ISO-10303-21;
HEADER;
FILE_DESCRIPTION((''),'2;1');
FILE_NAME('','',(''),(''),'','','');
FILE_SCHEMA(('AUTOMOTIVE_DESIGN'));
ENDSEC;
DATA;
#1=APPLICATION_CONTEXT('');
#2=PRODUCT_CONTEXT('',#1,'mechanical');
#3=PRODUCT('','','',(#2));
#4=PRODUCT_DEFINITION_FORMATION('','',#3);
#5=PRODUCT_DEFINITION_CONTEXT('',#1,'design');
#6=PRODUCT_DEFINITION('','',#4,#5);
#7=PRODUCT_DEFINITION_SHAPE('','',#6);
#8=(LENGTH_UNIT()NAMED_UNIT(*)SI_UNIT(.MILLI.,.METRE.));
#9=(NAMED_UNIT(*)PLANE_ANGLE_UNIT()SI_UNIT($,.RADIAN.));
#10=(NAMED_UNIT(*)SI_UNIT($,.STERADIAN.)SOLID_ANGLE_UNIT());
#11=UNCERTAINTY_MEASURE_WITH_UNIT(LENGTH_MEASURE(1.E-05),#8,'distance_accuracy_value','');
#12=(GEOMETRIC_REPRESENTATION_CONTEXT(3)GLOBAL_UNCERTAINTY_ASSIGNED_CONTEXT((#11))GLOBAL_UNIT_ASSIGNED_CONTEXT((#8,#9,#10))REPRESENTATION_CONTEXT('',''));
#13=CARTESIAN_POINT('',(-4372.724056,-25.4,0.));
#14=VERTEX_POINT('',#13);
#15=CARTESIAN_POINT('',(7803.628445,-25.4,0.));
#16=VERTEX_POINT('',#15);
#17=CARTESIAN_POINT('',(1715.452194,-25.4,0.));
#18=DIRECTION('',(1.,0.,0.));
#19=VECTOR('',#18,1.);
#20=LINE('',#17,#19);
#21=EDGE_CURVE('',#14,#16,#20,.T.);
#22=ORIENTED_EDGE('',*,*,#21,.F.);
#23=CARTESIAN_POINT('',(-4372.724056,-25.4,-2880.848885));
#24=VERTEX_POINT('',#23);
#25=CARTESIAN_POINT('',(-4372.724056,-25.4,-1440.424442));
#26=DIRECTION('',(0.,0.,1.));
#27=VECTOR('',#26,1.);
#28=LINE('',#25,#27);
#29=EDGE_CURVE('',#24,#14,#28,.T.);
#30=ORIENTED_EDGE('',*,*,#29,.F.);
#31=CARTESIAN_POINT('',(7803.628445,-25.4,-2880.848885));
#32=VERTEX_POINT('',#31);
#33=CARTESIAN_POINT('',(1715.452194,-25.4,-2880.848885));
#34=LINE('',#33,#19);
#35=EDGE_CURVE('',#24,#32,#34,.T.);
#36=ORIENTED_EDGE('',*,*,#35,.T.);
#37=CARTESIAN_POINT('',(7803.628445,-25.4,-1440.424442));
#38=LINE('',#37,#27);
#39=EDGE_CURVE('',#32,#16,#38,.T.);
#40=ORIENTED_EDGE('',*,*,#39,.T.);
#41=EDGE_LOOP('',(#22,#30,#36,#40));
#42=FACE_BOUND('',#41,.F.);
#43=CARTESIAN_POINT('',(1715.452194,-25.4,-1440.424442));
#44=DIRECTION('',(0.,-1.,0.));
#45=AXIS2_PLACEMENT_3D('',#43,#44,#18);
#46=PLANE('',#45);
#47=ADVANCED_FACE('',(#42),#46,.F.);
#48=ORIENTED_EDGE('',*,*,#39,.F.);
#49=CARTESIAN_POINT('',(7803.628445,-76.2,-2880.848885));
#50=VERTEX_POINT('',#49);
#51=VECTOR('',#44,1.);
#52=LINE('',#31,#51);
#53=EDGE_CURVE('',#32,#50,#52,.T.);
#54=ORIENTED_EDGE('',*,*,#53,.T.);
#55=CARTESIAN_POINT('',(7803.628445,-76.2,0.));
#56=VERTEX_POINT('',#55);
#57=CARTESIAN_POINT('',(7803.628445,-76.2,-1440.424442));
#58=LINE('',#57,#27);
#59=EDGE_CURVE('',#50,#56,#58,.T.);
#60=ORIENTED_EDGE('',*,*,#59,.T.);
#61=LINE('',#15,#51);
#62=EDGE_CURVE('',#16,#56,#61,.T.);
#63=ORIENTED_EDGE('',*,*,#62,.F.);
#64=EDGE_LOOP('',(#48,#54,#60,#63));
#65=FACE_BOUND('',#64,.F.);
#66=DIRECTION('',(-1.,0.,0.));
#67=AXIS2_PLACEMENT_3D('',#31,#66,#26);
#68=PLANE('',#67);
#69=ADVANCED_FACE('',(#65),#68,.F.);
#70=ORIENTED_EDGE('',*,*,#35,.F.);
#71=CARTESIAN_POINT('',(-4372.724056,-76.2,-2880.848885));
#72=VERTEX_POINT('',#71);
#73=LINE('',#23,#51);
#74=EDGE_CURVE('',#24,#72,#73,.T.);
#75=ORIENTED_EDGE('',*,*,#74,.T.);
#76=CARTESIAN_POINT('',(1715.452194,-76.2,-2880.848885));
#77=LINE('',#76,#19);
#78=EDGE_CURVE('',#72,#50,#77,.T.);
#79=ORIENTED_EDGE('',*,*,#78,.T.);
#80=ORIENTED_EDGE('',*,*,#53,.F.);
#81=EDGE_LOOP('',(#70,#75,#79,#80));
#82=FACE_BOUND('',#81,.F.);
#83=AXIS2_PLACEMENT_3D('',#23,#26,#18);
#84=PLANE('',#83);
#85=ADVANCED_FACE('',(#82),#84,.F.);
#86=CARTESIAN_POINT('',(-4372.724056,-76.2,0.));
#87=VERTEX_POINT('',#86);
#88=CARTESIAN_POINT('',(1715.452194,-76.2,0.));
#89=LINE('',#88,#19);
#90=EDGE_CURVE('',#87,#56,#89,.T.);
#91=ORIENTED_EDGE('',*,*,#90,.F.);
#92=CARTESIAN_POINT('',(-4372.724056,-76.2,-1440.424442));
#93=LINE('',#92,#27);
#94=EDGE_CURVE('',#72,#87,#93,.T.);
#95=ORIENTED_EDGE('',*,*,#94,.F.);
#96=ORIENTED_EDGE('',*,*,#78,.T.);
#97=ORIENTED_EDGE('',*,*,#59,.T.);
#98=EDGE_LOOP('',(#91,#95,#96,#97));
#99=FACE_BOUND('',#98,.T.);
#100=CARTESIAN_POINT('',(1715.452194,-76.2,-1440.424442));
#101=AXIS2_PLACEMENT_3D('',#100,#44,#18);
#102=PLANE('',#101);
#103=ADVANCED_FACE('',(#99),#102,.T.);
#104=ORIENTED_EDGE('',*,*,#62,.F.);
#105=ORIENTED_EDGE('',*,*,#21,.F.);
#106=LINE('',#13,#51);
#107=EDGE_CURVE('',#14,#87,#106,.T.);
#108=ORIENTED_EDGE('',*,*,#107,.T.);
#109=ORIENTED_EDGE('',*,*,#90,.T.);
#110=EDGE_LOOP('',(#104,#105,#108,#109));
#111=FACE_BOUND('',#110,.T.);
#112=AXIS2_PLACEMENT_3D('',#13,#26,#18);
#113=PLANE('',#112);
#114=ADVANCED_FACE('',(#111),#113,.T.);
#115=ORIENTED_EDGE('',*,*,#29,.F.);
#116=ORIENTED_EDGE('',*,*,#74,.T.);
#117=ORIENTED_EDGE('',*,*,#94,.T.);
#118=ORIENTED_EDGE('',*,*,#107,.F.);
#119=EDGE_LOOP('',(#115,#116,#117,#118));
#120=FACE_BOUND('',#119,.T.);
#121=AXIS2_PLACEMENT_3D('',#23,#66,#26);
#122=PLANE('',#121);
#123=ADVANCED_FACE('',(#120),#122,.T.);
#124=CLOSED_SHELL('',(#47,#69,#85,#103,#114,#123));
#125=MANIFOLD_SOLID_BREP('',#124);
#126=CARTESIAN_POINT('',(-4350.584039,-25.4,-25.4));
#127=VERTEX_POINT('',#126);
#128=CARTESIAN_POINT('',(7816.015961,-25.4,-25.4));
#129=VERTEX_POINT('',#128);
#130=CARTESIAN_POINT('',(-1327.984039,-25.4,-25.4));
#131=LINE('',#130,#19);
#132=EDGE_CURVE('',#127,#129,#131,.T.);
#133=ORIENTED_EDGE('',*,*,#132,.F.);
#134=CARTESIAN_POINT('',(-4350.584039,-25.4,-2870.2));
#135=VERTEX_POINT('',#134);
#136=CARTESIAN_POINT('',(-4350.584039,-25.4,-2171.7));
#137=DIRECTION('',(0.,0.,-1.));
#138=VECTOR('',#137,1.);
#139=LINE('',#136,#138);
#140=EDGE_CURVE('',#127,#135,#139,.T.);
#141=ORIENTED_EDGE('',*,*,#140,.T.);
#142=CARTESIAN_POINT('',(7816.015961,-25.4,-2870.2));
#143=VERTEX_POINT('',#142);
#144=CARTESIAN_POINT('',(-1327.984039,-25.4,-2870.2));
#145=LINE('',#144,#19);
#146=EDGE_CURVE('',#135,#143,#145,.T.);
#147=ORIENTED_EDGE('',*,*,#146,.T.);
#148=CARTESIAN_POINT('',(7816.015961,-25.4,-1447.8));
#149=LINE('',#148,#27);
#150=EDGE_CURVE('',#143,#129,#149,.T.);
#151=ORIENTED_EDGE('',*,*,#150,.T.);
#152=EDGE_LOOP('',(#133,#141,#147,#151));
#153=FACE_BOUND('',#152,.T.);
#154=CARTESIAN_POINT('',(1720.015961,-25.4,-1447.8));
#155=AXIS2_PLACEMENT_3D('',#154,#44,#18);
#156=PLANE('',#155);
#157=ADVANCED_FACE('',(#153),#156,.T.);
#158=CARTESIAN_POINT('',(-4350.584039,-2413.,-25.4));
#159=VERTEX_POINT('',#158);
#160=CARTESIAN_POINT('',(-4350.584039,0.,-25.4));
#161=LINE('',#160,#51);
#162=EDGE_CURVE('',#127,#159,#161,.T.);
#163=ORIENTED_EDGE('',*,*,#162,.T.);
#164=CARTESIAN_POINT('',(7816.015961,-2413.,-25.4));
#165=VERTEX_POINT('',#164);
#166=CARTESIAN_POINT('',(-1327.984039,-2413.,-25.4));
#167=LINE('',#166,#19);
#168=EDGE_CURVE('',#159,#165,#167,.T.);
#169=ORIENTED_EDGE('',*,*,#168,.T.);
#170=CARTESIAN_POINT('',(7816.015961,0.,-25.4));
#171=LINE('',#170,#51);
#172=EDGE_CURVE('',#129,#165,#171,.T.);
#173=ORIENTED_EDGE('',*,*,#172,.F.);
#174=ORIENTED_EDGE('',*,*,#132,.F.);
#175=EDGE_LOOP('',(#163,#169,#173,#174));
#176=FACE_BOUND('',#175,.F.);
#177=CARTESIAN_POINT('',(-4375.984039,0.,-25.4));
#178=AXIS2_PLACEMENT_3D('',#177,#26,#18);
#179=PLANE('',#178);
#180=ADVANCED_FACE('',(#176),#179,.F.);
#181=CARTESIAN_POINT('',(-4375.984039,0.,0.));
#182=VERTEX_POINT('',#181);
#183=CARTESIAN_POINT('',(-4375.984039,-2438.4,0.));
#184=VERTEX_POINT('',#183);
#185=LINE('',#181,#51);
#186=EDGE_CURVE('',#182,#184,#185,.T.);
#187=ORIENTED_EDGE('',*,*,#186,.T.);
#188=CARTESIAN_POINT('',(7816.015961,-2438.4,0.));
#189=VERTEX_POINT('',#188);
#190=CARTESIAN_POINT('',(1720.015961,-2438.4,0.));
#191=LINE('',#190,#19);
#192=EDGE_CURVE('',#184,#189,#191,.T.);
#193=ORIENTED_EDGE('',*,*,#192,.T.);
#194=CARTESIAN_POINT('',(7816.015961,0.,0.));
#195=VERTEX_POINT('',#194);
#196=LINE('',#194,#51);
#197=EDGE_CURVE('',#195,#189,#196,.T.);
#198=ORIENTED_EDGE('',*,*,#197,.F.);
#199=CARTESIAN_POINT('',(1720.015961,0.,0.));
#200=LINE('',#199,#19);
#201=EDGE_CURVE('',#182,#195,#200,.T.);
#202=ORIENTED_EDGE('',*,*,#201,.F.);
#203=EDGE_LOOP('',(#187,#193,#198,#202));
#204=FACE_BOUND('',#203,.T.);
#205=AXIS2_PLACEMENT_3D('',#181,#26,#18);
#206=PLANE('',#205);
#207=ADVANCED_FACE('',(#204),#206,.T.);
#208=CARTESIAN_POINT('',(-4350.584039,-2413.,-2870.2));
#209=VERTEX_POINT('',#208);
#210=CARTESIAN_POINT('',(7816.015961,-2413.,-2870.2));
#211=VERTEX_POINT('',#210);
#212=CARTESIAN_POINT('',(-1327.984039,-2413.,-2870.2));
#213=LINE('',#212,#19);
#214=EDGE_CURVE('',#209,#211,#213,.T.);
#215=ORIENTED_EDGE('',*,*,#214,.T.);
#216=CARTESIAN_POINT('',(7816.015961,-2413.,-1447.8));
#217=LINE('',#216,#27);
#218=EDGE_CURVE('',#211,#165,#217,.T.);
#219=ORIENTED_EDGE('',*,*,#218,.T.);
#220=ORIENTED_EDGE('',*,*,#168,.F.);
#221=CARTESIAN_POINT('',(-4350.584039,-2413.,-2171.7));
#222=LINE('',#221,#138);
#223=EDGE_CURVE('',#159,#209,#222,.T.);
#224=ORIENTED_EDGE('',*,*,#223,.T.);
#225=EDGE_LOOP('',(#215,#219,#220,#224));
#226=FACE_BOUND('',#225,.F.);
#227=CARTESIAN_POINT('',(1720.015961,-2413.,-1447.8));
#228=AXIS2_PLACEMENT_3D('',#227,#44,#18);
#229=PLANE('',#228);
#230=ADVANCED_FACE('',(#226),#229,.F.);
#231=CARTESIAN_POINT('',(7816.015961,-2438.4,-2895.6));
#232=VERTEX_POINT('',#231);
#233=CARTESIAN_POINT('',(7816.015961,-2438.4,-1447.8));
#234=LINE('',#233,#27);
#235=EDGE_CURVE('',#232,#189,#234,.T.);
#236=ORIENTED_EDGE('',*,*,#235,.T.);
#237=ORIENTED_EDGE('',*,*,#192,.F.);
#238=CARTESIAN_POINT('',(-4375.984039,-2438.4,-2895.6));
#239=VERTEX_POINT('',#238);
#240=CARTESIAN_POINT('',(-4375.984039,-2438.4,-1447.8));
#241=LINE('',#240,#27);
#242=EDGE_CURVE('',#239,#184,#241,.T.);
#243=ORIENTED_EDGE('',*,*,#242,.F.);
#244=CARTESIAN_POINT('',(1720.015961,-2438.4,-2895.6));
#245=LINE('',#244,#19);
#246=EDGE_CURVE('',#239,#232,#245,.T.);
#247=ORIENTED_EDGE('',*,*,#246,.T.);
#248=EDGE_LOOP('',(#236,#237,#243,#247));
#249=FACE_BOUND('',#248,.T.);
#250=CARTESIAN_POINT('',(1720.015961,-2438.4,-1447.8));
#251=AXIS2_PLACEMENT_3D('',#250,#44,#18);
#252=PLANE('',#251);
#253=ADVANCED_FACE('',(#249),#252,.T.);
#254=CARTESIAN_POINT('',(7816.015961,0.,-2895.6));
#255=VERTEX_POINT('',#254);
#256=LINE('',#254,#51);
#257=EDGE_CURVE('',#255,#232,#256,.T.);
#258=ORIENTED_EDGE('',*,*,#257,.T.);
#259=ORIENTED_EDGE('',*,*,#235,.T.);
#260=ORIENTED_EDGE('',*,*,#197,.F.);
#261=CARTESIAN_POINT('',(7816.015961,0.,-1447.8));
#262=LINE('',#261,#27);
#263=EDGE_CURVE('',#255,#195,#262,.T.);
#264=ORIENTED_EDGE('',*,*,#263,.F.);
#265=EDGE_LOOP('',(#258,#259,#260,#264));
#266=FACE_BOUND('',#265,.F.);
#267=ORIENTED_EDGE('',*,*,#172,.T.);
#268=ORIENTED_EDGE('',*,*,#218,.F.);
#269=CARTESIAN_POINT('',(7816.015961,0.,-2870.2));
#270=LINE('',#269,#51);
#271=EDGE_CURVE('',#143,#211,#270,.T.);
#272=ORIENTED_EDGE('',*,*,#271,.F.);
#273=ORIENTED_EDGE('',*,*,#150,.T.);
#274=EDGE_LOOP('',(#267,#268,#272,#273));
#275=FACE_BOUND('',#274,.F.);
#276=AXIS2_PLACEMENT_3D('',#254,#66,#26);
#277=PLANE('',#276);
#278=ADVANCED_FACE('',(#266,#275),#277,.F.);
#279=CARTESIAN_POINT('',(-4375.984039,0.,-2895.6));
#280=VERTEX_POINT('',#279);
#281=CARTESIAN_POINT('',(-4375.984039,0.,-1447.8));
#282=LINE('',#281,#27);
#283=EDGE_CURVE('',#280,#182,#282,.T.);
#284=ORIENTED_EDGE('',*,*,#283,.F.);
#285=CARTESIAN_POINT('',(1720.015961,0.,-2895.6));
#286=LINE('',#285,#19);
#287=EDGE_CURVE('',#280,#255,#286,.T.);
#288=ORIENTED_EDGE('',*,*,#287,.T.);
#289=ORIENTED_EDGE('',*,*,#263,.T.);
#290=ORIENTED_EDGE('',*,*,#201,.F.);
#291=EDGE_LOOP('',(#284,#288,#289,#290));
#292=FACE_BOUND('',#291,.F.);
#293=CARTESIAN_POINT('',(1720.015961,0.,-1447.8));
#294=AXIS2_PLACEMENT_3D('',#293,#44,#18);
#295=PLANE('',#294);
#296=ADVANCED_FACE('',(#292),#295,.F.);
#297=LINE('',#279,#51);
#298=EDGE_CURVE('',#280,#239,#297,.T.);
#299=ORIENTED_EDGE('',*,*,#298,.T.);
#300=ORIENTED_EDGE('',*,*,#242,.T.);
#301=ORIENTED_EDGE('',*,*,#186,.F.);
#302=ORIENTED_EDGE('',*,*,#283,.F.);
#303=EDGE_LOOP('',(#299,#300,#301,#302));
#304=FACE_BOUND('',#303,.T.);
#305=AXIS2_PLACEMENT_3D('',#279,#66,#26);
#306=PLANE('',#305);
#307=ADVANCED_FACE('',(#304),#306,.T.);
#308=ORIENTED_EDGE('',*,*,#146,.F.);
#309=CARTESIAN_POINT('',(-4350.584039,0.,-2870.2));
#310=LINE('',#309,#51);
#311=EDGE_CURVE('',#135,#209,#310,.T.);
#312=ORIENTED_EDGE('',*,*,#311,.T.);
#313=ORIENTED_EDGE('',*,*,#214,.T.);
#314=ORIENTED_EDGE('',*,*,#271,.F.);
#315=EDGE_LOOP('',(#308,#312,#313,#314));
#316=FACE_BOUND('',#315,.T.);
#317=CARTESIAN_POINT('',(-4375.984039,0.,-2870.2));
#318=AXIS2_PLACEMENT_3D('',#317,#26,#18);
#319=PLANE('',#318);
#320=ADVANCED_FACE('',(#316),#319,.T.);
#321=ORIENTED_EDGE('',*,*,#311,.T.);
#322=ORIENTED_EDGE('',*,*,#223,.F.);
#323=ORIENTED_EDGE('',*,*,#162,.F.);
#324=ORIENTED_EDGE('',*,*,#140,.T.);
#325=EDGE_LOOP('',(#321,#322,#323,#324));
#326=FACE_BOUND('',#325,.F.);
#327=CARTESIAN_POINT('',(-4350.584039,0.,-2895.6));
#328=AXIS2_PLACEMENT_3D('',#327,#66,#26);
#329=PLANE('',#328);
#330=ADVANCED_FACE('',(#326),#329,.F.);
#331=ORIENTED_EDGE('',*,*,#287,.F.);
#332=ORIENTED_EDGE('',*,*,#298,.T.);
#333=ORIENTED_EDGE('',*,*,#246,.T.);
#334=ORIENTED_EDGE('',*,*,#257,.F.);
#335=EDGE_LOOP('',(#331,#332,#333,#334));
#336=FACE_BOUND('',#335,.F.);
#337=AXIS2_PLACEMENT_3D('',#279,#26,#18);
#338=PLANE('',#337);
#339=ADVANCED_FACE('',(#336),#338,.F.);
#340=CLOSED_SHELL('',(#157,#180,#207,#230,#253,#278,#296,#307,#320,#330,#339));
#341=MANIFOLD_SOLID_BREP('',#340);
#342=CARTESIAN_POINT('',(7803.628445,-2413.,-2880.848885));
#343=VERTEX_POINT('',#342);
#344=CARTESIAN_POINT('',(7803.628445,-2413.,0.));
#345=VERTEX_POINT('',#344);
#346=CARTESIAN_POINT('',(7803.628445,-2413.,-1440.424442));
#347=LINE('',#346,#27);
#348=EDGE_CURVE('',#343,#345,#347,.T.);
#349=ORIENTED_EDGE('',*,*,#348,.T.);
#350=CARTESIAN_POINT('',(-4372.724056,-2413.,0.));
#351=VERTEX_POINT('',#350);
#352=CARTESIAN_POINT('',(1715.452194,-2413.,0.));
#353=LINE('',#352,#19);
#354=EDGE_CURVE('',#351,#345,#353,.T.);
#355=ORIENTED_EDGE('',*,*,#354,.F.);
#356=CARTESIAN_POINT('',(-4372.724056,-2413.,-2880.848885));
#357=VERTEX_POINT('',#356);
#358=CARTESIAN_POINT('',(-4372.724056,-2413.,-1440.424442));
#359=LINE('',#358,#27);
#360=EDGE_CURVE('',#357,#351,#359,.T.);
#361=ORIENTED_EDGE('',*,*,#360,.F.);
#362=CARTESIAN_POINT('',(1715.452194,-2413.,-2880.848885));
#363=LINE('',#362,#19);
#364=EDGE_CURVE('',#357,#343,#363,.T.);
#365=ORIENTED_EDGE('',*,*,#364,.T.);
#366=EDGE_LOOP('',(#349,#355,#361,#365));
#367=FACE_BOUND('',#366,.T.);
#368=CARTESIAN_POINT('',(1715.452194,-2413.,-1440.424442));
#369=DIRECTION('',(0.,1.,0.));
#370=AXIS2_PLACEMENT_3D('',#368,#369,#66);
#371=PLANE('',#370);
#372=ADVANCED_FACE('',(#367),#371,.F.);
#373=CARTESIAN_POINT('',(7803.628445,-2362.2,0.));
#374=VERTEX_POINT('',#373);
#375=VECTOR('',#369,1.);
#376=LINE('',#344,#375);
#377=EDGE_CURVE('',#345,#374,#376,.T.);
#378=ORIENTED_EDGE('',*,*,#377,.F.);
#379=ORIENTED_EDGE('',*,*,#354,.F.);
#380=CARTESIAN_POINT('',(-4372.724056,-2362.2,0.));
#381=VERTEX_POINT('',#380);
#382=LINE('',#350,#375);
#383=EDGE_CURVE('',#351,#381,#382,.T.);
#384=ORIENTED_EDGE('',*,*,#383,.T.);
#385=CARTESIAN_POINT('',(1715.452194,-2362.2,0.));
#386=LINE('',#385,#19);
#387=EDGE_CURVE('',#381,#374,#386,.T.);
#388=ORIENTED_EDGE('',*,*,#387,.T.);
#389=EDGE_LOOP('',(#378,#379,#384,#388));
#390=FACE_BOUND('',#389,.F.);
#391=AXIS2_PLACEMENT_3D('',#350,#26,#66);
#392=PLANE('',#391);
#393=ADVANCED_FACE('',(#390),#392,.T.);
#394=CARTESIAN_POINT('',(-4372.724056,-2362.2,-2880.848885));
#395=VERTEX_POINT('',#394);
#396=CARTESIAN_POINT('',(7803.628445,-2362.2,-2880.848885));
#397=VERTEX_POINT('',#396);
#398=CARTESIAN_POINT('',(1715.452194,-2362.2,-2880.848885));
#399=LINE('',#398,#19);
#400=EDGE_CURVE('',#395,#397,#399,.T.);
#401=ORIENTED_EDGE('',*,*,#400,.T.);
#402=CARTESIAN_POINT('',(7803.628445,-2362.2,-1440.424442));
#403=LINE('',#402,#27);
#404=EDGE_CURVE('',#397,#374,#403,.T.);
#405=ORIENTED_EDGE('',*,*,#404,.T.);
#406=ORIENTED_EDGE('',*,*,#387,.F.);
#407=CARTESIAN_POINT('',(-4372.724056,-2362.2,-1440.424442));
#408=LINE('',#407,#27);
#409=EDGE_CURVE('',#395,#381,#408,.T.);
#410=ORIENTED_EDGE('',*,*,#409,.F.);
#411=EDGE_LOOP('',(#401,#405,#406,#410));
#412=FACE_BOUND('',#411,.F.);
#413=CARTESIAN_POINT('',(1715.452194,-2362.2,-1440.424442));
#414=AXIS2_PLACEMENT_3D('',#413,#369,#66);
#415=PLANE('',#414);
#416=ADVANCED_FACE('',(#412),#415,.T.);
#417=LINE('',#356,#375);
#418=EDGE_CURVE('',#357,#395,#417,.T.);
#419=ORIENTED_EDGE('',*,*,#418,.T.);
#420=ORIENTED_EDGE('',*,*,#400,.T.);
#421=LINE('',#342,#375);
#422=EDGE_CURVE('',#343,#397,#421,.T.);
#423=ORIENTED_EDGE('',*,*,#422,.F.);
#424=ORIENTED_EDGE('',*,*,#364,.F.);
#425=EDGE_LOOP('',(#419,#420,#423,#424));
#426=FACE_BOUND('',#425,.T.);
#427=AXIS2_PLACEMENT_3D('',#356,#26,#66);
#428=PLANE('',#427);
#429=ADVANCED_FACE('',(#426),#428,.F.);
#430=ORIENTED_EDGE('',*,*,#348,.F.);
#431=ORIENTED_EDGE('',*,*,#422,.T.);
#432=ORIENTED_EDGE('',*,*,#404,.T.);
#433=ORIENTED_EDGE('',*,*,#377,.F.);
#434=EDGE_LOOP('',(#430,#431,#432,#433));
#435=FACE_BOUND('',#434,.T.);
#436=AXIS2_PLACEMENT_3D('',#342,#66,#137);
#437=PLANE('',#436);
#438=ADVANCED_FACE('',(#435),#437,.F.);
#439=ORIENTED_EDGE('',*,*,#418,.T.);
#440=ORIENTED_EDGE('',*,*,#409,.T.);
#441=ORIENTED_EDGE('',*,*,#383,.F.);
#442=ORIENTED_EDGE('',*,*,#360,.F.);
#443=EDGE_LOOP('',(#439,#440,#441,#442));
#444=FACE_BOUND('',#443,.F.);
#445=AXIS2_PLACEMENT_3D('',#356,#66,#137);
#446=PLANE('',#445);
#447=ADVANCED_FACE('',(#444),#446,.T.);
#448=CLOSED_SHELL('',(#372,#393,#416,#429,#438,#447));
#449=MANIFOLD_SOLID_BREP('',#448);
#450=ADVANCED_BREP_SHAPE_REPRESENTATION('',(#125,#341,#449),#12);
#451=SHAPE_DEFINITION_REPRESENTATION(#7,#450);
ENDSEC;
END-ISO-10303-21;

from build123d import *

# Parameters (mm, degrees)
F0_W     = 12192
F0_H     = 2895.6
F1_DEPTH = 2438.4
F2_T     = -25.4
F4_W     = 12176.3525009155
F4_H     = 2880.8488845825
F5_DEPTH = 50.8


with BuildPart() as f1:
    # F0 (on Front) → F1 (new body)
    with BuildSketch(Plane.XZ):
        with Locations((1720.0159610172, -1447.8)):
            Rectangle(F0_W, F0_H)
    extrude(amount=F1_DEPTH)

    # F2
    f2_openings = [f1.faces().sort_by_distance(p)[0] for p in [
        (7816.015961, -1219.2, -1447.8),
    ]]
    offset(amount=F2_T, openings=f2_openings)


with BuildPart() as f5:
    # F4 (on offset) → F5 (new body)
    with BuildSketch(Plane.XZ.offset(25.4)):
        with Locations((1715.4521942139, -1440.4244422913)):
            Rectangle(F4_W, F4_H)
    extrude(amount=F5_DEPTH)


with BuildPart() as f7_1:
    # F7: instance of F5
    add(f5.part.mirror(Plane.XZ.offset(1219.2)))


solid = Compound([f1.part, f5.part, f7_1.part])
